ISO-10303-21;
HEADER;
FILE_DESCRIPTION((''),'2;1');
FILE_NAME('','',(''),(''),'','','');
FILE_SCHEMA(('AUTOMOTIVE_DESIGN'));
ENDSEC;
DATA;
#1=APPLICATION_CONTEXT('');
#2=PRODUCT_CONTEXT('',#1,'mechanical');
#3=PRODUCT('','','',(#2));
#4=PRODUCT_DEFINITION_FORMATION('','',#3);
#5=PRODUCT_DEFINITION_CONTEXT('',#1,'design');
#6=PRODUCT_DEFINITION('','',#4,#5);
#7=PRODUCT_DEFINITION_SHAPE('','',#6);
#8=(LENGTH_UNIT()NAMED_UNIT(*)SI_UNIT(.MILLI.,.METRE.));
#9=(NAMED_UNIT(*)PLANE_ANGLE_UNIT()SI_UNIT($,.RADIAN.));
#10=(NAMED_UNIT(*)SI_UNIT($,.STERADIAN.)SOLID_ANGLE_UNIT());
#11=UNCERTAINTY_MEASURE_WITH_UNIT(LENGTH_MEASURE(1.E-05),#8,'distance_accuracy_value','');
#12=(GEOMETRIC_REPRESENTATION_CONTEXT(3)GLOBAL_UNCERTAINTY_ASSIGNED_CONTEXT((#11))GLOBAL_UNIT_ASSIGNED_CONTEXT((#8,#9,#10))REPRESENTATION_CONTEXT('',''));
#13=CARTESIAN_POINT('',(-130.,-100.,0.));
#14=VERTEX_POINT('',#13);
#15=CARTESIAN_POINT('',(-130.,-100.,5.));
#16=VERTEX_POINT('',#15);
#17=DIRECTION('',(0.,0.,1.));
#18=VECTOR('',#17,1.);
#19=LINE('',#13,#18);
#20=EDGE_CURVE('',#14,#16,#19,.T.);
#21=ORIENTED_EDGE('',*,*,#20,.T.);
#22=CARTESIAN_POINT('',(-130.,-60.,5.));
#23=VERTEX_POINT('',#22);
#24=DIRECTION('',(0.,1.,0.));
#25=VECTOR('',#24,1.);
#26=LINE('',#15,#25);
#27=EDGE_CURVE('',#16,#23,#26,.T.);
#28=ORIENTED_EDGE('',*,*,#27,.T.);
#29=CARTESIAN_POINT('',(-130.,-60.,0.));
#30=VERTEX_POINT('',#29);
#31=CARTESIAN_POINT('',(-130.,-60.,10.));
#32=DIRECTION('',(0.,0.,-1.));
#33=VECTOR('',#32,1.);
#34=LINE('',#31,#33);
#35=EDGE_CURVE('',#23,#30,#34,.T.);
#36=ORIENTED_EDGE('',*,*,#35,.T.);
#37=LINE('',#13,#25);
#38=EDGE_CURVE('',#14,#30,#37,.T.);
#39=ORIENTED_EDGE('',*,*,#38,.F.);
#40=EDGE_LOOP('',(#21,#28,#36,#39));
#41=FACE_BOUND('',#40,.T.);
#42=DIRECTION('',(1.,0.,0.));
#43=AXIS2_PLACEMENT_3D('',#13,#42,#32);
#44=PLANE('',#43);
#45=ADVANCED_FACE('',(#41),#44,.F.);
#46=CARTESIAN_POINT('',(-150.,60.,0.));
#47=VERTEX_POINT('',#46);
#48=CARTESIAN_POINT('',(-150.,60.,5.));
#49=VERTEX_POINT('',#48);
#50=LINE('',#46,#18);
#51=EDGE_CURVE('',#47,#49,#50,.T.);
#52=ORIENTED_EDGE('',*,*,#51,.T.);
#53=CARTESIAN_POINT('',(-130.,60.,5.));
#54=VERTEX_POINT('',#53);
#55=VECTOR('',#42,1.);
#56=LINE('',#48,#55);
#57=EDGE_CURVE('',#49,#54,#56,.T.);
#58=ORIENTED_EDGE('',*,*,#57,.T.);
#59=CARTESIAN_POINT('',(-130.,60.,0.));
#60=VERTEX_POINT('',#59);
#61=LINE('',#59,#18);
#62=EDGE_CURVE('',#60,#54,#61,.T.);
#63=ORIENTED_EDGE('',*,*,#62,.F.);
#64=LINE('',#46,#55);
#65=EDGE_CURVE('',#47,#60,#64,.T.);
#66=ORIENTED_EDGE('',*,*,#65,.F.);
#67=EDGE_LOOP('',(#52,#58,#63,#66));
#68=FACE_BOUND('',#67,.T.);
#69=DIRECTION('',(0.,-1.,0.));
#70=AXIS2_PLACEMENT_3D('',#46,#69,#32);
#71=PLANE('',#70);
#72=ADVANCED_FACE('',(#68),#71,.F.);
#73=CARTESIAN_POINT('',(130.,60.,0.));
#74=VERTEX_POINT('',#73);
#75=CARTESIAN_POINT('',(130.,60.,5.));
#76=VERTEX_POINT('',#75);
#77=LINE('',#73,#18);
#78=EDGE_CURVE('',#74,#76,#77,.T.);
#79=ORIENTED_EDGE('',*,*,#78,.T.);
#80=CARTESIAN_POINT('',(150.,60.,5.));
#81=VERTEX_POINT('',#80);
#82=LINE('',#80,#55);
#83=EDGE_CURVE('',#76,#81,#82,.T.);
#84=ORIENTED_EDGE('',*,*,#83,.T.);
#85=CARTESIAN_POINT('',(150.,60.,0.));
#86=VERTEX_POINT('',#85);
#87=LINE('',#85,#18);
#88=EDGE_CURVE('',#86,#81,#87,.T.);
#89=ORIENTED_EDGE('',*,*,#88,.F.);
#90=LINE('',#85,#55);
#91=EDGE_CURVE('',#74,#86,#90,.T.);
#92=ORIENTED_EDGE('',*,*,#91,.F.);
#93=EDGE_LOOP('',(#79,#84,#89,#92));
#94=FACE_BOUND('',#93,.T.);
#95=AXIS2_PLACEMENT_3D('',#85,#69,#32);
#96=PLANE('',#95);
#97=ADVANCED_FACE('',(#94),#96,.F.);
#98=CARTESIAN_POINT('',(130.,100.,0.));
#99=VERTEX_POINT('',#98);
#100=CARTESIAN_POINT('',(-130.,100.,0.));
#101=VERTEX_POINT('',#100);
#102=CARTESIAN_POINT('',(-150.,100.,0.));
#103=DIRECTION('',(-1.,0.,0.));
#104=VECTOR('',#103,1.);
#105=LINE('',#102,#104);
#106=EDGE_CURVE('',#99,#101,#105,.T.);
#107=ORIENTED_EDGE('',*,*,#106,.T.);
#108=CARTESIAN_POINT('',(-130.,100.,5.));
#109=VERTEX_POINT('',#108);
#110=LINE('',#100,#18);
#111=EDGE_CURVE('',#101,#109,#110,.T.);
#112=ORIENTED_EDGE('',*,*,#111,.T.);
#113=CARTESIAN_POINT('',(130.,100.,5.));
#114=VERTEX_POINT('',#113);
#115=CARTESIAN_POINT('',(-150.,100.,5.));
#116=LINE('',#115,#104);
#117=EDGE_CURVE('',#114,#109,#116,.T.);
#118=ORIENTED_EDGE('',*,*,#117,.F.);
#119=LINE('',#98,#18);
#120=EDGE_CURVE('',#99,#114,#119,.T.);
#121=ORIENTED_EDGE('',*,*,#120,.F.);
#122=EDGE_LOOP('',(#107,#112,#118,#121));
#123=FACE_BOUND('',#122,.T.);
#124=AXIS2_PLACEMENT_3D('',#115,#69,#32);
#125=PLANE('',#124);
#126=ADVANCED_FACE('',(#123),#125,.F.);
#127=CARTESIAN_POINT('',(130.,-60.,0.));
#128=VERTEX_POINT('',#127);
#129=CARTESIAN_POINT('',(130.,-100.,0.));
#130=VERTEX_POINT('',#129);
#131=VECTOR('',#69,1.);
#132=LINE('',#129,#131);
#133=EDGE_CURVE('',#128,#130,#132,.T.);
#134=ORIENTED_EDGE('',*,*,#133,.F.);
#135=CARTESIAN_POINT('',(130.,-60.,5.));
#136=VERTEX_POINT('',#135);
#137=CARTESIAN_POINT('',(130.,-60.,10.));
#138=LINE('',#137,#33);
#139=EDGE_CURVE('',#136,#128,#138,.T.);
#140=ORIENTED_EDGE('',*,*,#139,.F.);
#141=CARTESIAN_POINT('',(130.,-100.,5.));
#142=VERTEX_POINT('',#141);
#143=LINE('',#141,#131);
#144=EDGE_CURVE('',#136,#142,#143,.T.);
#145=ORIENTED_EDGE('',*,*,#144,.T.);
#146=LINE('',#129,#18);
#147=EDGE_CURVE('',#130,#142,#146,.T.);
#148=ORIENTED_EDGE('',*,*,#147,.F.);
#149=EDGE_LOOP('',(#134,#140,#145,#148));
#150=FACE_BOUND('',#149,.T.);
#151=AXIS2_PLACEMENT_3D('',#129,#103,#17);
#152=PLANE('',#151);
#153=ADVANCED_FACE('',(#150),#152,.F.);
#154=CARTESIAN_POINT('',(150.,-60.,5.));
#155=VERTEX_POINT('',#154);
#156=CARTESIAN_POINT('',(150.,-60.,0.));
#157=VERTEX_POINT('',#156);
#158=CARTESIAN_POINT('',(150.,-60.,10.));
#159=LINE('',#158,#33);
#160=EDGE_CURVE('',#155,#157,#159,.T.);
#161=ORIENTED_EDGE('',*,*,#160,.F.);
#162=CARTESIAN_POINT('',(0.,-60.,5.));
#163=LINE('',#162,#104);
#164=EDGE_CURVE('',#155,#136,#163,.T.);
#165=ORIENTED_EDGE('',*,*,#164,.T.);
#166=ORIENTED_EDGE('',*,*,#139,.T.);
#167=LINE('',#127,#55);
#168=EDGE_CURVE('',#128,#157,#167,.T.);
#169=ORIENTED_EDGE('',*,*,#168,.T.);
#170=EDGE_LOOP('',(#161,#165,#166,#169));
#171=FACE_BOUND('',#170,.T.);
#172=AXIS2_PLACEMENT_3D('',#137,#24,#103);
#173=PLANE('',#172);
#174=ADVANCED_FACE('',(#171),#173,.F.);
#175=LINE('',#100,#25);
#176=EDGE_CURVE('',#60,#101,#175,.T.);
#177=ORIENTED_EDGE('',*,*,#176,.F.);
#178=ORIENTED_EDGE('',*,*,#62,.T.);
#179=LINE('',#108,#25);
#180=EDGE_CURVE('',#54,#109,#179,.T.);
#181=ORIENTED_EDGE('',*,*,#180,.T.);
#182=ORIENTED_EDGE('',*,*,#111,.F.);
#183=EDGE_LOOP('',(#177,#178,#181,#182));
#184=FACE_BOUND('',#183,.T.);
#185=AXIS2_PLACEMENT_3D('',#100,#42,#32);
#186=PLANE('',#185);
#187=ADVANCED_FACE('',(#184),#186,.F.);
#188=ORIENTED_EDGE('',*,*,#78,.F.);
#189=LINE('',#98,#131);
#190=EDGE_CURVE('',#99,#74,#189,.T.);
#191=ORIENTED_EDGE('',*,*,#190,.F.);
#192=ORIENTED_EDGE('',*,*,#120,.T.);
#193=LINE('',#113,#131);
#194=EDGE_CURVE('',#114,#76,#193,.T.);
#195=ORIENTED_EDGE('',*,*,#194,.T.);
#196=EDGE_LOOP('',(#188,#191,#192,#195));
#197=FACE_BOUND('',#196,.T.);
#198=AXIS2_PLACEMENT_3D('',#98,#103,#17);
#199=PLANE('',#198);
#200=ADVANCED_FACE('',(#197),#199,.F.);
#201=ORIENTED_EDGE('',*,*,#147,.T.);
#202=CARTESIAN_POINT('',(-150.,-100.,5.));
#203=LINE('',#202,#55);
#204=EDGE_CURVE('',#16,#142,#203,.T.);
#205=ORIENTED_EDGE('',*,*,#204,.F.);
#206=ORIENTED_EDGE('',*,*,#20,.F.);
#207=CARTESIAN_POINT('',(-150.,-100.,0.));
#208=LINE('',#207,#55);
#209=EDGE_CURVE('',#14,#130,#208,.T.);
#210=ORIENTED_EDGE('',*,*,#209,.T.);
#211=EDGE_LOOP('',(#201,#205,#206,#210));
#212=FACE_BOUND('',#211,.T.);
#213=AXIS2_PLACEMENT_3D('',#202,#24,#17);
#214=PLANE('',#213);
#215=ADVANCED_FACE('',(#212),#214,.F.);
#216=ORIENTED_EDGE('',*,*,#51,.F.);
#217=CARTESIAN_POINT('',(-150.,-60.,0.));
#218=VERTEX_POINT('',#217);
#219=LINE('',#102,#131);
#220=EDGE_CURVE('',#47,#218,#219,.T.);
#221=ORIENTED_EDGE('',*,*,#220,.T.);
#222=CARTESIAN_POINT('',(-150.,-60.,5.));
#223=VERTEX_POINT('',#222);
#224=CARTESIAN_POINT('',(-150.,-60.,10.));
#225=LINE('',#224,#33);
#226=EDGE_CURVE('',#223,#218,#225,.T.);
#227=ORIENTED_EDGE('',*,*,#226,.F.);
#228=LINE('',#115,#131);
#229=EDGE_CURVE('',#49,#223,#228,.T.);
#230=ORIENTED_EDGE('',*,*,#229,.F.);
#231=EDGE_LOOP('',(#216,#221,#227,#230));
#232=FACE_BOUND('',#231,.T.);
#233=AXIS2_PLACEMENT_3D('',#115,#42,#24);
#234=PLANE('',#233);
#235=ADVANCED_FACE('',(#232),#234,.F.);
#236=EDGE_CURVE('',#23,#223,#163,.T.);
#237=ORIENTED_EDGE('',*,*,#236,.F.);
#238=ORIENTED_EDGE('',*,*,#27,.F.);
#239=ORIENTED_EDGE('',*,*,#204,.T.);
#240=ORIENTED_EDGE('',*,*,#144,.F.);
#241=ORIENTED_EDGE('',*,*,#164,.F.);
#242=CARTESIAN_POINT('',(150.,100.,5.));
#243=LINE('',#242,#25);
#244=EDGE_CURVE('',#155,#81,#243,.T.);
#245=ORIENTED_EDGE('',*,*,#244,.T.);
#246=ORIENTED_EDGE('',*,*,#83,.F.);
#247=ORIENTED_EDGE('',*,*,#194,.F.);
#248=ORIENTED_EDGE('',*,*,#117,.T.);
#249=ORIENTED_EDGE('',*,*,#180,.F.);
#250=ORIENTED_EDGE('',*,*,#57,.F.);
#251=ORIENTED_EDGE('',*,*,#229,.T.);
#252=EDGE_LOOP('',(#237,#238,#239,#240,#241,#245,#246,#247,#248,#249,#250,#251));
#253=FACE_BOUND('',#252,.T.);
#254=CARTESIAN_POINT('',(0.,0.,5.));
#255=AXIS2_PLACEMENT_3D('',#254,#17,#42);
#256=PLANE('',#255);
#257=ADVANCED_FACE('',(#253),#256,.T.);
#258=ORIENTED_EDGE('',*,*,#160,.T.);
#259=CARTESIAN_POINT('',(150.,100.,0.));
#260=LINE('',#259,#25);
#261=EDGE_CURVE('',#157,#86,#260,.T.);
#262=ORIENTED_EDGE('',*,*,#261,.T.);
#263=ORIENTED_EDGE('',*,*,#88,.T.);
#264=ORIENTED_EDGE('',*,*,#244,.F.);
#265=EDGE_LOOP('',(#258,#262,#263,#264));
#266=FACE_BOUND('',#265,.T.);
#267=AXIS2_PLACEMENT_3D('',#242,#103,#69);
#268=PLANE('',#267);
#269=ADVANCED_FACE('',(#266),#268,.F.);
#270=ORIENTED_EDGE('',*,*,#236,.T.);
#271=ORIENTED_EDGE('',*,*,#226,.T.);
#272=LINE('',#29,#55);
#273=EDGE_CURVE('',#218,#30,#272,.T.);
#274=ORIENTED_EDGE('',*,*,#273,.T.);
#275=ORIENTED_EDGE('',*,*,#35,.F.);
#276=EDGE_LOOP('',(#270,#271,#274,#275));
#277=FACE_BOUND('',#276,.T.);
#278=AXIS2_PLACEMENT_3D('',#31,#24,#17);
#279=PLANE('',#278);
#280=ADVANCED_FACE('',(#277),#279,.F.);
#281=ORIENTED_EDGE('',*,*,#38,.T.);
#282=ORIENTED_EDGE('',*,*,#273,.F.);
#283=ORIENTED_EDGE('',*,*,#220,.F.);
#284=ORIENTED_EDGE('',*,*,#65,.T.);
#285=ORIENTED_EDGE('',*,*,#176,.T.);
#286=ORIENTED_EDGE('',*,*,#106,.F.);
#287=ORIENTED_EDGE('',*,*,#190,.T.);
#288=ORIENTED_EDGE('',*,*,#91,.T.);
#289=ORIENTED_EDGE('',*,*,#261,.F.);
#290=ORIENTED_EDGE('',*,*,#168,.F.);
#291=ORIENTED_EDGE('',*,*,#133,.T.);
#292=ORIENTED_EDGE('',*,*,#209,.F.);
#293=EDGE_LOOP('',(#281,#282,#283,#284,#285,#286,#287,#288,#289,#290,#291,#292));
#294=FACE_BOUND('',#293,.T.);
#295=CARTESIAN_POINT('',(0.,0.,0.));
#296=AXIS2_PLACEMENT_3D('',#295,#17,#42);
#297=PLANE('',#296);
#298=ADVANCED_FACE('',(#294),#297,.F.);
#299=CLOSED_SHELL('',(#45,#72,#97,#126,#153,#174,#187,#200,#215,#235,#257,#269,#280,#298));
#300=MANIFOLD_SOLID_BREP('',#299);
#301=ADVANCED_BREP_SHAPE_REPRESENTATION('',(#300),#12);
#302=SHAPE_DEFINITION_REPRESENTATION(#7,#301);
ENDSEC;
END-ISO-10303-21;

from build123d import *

# Parameters (mm, degrees)
SKETCH1_W           = 300
SKETCH1_H           = 200
BOSS_EXTRUDE1_DEPTH = 5
SKETCH3_W           = 20
SKETCH3_H           = 20
SKETCH3_H_2         = 40
CUT_EXTRUDE1_DEPTH  = 5
SKETCH4_W           = 20
SKETCH4_H           = 40
CUT_EXTRUDE2_DEPTH  = 10


with BuildPart() as part:
    # Sketch1 → Boss-Extrude1 (new body)
    with BuildSketch(Plane.XY):
        Rectangle(SKETCH1_W, SKETCH1_H)
    extrude(amount=BOSS_EXTRUDE1_DEPTH)

    # Sketch3 → Cut-Extrude1 (cut)
    with BuildSketch(Plane.XY.offset(5)):
        with Locations((-140, -90)):
            Rectangle(SKETCH3_W, SKETCH3_H)
        with Locations((-140, 80)):
            Rectangle(SKETCH3_W, SKETCH3_H_2)
        with Locations((140, 80)):
            Rectangle(SKETCH3_W, SKETCH3_H_2)
        with Locations((140, -90)):
            Rectangle(SKETCH3_W, SKETCH3_H)
    extrude(amount=-CUT_EXTRUDE1_DEPTH, mode=Mode.SUBTRACT)

    # Sketch4 → Cut-Extrude2 (cut)
    with BuildSketch(Plane(origin=(0, 0, 0), x_dir=(-1, 0, 0), z_dir=(0, 0, -1))):
        with Locations((-140, -80)):
            Rectangle(SKETCH4_W, SKETCH4_H)
        with Locations((140, -80)):
            Rectangle(SKETCH4_W, SKETCH4_H)
    extrude(amount=-CUT_EXTRUDE2_DEPTH, mode=Mode.SUBTRACT)


solid = part.part
